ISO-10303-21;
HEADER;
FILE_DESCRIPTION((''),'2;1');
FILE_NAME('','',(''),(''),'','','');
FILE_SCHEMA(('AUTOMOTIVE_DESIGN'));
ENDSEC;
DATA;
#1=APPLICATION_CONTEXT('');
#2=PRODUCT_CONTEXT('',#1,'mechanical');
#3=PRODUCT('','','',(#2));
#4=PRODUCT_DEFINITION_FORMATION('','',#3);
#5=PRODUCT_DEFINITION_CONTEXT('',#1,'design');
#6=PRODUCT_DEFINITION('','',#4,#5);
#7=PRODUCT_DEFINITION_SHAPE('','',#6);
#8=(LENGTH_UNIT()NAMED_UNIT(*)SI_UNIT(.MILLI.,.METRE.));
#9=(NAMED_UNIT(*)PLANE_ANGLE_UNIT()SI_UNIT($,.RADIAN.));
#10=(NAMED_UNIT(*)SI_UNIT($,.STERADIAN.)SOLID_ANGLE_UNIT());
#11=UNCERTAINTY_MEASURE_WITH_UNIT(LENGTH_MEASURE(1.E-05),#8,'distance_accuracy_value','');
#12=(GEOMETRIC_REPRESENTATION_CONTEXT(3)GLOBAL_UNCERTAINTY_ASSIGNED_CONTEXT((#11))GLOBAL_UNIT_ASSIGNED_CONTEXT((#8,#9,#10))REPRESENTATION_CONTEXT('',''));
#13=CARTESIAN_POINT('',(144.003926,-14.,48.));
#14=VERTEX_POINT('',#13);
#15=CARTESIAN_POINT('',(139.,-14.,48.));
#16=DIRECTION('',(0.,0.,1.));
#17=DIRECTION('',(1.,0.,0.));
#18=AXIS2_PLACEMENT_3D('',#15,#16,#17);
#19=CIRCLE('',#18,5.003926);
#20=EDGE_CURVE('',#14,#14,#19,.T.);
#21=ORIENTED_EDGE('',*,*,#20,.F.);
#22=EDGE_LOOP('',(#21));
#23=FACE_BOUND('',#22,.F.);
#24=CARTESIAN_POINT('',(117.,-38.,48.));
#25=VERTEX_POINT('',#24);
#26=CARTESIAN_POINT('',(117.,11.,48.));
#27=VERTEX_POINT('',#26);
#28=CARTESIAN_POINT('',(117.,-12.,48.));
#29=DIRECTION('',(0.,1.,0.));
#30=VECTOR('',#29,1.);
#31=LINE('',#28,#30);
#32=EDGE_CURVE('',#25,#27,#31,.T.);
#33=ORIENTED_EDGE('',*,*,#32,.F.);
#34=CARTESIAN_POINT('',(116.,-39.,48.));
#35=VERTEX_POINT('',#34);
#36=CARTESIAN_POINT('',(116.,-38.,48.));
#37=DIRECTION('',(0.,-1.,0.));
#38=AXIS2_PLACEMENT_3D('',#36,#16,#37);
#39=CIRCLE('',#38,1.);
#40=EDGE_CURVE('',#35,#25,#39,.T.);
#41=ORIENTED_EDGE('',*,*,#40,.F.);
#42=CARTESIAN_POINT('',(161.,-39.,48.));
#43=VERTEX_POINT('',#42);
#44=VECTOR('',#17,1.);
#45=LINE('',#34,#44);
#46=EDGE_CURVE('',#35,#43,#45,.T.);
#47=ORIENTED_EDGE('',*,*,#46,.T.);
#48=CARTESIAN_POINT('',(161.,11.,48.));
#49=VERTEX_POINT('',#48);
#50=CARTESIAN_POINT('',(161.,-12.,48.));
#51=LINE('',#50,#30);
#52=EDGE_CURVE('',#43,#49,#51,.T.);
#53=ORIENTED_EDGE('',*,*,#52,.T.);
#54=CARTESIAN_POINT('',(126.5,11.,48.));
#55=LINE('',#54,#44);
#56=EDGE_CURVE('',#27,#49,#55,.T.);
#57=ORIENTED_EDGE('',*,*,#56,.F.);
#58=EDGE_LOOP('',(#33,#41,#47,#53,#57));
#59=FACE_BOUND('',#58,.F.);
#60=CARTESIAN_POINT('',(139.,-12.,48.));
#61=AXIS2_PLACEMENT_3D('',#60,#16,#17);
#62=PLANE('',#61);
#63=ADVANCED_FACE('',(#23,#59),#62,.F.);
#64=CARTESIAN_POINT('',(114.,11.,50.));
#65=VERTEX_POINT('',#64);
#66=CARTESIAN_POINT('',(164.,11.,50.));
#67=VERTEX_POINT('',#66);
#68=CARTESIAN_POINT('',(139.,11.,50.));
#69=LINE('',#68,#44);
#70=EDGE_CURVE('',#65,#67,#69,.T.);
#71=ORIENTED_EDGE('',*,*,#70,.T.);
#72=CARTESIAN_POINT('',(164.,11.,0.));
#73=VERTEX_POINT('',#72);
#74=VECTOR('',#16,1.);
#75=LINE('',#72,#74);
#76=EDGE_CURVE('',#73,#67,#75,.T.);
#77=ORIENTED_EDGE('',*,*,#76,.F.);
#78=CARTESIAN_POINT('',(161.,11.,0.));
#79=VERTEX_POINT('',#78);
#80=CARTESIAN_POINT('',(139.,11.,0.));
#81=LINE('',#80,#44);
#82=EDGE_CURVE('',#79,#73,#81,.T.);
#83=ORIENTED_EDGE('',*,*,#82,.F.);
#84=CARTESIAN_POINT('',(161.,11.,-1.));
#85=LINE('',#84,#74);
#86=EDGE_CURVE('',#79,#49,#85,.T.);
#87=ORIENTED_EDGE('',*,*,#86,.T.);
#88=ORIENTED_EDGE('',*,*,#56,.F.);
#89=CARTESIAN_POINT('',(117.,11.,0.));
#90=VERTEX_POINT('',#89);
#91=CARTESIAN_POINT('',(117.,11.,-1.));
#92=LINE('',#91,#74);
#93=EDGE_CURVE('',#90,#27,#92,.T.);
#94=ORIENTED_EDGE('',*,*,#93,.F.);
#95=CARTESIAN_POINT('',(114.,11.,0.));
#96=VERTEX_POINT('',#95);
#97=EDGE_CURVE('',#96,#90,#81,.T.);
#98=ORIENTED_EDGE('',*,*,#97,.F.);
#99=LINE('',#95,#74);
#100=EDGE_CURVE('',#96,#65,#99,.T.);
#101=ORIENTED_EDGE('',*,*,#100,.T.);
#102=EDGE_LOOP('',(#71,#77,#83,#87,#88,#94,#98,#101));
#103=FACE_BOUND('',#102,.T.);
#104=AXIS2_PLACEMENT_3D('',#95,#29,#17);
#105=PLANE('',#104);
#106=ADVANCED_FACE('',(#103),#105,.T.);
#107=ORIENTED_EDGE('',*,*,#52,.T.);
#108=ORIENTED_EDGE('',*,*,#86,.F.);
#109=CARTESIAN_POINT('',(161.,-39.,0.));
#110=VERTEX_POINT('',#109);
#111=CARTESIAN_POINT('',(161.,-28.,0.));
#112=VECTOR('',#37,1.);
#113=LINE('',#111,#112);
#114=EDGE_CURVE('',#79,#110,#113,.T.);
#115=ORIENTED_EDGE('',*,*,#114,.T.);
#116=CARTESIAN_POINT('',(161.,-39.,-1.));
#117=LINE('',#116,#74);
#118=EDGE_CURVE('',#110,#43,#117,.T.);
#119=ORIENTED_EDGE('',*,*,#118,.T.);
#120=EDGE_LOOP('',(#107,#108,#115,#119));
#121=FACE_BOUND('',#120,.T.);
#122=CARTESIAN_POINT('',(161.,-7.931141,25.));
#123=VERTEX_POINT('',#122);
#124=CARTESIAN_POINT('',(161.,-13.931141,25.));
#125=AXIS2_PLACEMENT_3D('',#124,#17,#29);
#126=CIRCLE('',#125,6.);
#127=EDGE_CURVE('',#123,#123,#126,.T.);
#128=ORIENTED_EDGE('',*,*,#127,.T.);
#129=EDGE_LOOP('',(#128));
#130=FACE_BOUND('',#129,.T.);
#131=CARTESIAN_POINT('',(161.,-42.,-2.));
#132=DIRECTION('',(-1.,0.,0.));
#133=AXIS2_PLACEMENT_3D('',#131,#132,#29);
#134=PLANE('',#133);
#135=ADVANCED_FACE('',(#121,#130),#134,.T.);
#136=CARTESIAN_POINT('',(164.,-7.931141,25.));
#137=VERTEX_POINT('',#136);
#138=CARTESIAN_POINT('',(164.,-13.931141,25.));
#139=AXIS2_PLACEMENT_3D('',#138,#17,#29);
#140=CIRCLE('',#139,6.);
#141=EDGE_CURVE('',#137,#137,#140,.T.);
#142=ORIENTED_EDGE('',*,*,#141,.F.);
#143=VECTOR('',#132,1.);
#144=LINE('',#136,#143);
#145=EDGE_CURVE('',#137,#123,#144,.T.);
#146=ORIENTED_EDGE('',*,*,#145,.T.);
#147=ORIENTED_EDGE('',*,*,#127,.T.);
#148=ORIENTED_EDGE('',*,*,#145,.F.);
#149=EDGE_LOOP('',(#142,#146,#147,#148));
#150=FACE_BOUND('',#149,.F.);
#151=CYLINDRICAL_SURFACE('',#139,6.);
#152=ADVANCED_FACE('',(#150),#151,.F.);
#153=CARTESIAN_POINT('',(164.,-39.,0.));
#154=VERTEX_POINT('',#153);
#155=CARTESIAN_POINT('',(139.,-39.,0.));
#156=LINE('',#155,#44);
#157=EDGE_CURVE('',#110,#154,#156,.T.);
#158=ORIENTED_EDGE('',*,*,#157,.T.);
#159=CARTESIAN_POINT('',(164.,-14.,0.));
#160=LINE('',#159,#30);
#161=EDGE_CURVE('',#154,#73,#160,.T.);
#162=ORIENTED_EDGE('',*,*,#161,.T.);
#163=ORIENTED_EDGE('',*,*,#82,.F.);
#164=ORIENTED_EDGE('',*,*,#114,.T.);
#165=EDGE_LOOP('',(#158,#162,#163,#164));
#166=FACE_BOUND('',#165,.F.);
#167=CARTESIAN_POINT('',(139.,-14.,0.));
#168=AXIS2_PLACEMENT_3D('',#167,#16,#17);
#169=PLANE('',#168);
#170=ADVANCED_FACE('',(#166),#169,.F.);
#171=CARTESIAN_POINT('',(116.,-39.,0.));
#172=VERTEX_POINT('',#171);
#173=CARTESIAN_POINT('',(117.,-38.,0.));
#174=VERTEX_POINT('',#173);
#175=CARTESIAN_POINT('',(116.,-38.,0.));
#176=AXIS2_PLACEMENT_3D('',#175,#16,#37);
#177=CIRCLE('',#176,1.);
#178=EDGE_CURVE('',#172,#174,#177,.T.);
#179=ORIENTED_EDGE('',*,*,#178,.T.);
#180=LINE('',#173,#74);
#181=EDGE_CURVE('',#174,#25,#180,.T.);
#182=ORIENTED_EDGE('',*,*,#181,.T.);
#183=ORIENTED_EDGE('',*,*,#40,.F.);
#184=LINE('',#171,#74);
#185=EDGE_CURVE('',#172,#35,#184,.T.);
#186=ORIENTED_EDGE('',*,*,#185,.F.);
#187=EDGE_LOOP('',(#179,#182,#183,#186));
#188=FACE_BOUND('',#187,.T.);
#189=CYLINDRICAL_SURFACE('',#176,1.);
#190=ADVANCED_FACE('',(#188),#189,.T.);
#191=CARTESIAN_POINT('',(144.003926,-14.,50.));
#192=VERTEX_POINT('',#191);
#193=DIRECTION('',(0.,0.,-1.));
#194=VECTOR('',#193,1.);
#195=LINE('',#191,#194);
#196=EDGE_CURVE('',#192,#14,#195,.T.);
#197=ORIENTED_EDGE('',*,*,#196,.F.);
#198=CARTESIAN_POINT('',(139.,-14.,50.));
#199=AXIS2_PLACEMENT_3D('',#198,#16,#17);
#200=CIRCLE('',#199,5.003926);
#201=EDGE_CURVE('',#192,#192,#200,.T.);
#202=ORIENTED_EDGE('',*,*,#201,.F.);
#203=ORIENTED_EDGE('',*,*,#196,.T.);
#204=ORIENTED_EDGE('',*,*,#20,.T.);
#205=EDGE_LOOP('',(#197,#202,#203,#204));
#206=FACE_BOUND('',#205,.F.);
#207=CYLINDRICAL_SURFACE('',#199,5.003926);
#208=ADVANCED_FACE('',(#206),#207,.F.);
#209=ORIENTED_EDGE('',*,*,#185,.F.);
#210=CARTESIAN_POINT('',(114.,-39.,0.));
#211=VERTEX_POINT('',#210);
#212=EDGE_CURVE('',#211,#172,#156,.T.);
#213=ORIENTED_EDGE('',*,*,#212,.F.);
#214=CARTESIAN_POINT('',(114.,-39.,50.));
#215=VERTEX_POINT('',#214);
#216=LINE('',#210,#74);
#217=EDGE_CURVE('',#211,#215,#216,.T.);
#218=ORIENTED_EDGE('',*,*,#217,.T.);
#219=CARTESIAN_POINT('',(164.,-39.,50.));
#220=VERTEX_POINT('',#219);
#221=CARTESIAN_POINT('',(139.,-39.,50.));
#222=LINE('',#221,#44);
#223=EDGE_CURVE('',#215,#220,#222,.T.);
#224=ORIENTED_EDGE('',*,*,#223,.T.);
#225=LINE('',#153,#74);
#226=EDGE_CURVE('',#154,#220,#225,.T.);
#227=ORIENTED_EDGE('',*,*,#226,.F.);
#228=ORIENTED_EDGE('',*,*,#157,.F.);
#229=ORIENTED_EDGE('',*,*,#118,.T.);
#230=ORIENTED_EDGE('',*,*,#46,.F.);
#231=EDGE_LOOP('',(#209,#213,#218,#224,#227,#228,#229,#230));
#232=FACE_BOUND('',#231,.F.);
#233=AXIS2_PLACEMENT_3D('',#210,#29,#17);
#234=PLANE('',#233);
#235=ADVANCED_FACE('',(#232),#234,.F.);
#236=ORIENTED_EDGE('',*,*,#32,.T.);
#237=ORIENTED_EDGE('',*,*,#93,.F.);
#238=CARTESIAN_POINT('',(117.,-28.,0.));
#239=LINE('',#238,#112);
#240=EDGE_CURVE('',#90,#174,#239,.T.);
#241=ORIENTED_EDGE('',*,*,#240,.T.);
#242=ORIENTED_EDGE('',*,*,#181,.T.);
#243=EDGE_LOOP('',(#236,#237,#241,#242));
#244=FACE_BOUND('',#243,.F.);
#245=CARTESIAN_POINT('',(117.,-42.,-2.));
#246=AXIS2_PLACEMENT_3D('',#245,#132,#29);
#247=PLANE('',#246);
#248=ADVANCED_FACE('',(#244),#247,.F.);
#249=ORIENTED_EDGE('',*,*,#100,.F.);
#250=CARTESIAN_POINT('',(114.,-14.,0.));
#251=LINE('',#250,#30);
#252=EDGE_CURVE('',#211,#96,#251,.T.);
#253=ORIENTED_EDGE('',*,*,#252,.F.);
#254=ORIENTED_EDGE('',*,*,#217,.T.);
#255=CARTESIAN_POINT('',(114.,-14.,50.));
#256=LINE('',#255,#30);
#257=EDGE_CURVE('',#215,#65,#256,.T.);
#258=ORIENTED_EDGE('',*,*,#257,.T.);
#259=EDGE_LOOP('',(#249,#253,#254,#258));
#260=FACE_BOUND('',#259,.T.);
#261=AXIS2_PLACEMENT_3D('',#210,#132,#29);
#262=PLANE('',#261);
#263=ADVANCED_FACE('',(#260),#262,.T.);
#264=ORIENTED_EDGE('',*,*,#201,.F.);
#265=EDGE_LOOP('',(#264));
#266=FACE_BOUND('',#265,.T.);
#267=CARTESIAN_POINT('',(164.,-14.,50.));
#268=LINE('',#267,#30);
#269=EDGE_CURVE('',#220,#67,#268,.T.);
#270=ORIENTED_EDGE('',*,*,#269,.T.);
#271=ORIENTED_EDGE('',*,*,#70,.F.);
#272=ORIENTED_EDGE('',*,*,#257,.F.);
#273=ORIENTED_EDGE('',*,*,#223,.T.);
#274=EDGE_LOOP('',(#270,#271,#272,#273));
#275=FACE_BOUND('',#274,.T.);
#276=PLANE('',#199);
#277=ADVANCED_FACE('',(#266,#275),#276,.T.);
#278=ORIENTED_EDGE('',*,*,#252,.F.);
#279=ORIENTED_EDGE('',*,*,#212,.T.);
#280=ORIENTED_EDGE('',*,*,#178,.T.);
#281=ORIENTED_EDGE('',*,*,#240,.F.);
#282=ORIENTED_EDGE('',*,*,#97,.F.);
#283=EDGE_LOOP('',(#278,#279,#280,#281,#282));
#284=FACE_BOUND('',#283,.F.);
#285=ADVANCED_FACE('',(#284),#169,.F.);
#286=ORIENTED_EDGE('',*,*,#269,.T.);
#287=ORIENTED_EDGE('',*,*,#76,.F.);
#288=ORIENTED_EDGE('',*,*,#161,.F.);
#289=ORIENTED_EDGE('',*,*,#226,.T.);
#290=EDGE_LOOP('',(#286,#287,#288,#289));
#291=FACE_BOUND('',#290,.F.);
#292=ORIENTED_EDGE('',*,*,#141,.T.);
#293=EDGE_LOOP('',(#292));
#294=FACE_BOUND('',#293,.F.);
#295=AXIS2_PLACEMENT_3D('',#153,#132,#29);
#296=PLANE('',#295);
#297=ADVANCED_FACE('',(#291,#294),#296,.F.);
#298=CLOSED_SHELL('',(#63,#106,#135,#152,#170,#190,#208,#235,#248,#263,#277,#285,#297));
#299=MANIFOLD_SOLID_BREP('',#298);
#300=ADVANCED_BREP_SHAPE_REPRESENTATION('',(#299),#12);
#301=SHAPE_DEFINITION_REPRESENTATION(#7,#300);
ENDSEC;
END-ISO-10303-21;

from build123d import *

# Parameters (mm, degrees)
BOX003_W        = 44
BOX003_H        = 60
BOX003_DEPTH    = 50
BOX002_W        = 50
BOX002_H        = 50
BOX002_DEPTH    = 50
SKETCH002_R     = 5.003926
POCKET001_DEPTH = 58
SKETCH003_R     = 6
POCKET002_DEPTH = 5
FILLET_R        = 1


with BuildPart() as cubo003:
    # Box003 → Box003 (new body)
    with BuildSketch(Plane(origin=(117, -42, -2), x_dir=(1, 0, 0), z_dir=(0, 0, 1))):
        with Locations((22, 30)):
            Rectangle(BOX003_W, BOX003_H)
    extrude(amount=BOX003_DEPTH)


with BuildPart() as fillet_body:
    # Box002 → Box002 (new body)
    with BuildSketch(Plane(origin=(114, -39, 0), x_dir=(1, 0, 0), z_dir=(0, 0, 1))):
        with Locations((25, 25)):
            Rectangle(BOX002_W, BOX002_H)
    extrude(amount=BOX002_DEPTH)

    # Sketch002 → Pocket001 (cut)
    with BuildSketch(Plane(origin=(114, -39, 50), x_dir=(1, 0, 0), z_dir=(0, 0, 1))):
        with Locations((25, 25)):
            Circle(SKETCH002_R)
    extrude(amount=-POCKET001_DEPTH, mode=Mode.SUBTRACT)

    # Cut003: cut Cubo003
    add(cubo003.part, mode=Mode.SUBTRACT)

    # Sketch003 → Pocket002 (cut)
    with BuildSketch(Plane.YZ.offset(164)):
        with Locations((-13.931141, 25)):
            Circle(SKETCH003_R)
    extrude(amount=-POCKET002_DEPTH, mode=Mode.SUBTRACT)

    # Fillet
    fillet_edges = [fillet_body.edges().sort_by_distance(p)[0] for p in [
        (117, -39, 24),
    ]]
    fillet(fillet_edges, radius=FILLET_R)


solid = fillet_body.part
